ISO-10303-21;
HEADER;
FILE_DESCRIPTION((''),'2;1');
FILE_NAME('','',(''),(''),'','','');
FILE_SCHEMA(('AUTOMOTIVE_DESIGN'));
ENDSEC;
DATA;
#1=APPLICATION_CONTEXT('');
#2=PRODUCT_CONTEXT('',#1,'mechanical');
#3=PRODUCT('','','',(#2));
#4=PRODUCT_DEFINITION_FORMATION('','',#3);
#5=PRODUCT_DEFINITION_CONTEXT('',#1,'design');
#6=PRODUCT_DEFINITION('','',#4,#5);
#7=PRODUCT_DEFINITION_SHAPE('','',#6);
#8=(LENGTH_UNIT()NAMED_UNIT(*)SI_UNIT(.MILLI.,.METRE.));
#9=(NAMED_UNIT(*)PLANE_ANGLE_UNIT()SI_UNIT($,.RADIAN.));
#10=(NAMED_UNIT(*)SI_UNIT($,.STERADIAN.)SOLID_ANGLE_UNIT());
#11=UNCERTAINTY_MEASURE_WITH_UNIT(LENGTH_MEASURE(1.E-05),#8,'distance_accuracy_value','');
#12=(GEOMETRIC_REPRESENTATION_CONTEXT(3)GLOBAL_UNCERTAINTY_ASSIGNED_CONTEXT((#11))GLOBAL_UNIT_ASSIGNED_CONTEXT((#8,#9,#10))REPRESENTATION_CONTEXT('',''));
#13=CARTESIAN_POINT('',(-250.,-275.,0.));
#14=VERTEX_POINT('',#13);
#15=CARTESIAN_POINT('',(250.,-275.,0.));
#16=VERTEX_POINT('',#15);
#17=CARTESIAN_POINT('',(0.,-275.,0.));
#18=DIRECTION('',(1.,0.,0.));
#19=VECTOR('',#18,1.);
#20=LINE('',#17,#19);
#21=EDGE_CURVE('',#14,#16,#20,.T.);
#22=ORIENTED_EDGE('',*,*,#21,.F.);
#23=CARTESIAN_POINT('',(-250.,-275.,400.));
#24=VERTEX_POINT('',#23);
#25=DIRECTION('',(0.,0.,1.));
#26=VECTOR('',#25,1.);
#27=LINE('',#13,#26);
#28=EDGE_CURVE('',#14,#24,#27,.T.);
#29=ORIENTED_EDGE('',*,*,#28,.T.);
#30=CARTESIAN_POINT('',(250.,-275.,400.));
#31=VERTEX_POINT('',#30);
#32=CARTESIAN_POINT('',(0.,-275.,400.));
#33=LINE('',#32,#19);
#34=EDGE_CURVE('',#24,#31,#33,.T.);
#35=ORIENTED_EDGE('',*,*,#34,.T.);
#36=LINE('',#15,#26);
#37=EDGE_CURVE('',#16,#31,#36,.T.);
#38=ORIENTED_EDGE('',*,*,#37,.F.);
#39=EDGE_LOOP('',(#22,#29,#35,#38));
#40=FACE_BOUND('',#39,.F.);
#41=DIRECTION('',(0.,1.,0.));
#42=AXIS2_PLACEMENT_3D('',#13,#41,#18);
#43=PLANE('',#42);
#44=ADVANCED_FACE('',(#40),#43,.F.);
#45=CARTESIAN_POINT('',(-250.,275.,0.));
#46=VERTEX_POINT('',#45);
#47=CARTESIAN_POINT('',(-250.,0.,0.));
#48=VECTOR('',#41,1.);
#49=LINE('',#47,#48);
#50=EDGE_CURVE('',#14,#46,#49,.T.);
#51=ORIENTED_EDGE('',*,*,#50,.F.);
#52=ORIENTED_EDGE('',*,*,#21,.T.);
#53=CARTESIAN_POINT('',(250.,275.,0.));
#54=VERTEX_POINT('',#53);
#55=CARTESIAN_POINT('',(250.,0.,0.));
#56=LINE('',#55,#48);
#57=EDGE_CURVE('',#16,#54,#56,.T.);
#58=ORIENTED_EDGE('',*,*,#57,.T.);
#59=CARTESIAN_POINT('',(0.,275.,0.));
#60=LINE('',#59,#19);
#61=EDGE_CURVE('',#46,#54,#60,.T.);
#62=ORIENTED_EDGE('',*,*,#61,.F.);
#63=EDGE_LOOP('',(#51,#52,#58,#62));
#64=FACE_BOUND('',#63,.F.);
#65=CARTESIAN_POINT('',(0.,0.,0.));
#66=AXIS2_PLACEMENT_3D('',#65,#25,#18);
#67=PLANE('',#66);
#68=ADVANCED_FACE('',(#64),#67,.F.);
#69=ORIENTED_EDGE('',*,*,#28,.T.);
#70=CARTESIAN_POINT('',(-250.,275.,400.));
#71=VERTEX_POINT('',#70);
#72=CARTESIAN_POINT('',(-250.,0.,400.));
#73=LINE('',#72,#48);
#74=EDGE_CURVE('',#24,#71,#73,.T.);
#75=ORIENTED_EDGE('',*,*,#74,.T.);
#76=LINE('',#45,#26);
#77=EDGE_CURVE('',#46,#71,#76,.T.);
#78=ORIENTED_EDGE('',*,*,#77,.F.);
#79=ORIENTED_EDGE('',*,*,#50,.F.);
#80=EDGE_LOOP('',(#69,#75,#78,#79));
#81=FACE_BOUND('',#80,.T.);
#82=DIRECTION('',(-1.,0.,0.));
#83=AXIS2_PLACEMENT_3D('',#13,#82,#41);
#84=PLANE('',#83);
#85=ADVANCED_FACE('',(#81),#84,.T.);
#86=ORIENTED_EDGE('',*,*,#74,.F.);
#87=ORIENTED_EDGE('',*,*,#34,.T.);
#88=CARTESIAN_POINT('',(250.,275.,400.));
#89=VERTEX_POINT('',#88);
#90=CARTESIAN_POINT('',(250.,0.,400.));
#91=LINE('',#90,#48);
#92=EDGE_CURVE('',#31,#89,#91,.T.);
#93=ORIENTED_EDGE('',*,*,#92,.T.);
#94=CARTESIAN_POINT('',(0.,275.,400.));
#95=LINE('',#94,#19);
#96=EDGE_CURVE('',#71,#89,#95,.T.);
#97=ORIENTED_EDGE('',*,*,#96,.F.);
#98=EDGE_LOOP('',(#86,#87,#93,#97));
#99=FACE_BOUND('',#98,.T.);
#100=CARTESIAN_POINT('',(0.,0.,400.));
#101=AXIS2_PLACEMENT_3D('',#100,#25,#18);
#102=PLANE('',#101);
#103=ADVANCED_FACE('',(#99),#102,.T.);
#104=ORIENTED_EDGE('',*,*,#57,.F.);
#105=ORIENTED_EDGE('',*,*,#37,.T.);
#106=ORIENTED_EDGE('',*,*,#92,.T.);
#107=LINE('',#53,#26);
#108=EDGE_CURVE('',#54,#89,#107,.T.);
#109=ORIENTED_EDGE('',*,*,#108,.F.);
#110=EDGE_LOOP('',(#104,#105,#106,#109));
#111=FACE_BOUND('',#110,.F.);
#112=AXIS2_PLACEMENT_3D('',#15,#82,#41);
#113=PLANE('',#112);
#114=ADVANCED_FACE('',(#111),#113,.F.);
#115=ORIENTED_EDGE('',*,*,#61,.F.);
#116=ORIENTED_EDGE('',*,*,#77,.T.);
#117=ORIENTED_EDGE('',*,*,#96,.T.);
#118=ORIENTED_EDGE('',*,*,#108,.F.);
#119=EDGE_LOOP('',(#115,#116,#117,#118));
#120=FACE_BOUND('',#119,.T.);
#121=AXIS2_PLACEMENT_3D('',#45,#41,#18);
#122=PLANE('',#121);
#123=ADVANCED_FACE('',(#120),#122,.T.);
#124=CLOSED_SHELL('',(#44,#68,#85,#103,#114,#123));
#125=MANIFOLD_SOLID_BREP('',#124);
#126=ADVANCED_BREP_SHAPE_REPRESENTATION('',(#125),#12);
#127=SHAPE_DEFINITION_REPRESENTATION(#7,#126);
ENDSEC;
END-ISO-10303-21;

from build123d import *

# Parameters (mm, degrees)
SKETCH_W  = 500
SKETCH_H  = 550
PAD_DEPTH = 400


with BuildPart() as part:
    # Sketch → Pad (new body)
    with BuildSketch(Plane.XY):
        Rectangle(SKETCH_W, SKETCH_H)
    extrude(amount=PAD_DEPTH)


solid = part.part
